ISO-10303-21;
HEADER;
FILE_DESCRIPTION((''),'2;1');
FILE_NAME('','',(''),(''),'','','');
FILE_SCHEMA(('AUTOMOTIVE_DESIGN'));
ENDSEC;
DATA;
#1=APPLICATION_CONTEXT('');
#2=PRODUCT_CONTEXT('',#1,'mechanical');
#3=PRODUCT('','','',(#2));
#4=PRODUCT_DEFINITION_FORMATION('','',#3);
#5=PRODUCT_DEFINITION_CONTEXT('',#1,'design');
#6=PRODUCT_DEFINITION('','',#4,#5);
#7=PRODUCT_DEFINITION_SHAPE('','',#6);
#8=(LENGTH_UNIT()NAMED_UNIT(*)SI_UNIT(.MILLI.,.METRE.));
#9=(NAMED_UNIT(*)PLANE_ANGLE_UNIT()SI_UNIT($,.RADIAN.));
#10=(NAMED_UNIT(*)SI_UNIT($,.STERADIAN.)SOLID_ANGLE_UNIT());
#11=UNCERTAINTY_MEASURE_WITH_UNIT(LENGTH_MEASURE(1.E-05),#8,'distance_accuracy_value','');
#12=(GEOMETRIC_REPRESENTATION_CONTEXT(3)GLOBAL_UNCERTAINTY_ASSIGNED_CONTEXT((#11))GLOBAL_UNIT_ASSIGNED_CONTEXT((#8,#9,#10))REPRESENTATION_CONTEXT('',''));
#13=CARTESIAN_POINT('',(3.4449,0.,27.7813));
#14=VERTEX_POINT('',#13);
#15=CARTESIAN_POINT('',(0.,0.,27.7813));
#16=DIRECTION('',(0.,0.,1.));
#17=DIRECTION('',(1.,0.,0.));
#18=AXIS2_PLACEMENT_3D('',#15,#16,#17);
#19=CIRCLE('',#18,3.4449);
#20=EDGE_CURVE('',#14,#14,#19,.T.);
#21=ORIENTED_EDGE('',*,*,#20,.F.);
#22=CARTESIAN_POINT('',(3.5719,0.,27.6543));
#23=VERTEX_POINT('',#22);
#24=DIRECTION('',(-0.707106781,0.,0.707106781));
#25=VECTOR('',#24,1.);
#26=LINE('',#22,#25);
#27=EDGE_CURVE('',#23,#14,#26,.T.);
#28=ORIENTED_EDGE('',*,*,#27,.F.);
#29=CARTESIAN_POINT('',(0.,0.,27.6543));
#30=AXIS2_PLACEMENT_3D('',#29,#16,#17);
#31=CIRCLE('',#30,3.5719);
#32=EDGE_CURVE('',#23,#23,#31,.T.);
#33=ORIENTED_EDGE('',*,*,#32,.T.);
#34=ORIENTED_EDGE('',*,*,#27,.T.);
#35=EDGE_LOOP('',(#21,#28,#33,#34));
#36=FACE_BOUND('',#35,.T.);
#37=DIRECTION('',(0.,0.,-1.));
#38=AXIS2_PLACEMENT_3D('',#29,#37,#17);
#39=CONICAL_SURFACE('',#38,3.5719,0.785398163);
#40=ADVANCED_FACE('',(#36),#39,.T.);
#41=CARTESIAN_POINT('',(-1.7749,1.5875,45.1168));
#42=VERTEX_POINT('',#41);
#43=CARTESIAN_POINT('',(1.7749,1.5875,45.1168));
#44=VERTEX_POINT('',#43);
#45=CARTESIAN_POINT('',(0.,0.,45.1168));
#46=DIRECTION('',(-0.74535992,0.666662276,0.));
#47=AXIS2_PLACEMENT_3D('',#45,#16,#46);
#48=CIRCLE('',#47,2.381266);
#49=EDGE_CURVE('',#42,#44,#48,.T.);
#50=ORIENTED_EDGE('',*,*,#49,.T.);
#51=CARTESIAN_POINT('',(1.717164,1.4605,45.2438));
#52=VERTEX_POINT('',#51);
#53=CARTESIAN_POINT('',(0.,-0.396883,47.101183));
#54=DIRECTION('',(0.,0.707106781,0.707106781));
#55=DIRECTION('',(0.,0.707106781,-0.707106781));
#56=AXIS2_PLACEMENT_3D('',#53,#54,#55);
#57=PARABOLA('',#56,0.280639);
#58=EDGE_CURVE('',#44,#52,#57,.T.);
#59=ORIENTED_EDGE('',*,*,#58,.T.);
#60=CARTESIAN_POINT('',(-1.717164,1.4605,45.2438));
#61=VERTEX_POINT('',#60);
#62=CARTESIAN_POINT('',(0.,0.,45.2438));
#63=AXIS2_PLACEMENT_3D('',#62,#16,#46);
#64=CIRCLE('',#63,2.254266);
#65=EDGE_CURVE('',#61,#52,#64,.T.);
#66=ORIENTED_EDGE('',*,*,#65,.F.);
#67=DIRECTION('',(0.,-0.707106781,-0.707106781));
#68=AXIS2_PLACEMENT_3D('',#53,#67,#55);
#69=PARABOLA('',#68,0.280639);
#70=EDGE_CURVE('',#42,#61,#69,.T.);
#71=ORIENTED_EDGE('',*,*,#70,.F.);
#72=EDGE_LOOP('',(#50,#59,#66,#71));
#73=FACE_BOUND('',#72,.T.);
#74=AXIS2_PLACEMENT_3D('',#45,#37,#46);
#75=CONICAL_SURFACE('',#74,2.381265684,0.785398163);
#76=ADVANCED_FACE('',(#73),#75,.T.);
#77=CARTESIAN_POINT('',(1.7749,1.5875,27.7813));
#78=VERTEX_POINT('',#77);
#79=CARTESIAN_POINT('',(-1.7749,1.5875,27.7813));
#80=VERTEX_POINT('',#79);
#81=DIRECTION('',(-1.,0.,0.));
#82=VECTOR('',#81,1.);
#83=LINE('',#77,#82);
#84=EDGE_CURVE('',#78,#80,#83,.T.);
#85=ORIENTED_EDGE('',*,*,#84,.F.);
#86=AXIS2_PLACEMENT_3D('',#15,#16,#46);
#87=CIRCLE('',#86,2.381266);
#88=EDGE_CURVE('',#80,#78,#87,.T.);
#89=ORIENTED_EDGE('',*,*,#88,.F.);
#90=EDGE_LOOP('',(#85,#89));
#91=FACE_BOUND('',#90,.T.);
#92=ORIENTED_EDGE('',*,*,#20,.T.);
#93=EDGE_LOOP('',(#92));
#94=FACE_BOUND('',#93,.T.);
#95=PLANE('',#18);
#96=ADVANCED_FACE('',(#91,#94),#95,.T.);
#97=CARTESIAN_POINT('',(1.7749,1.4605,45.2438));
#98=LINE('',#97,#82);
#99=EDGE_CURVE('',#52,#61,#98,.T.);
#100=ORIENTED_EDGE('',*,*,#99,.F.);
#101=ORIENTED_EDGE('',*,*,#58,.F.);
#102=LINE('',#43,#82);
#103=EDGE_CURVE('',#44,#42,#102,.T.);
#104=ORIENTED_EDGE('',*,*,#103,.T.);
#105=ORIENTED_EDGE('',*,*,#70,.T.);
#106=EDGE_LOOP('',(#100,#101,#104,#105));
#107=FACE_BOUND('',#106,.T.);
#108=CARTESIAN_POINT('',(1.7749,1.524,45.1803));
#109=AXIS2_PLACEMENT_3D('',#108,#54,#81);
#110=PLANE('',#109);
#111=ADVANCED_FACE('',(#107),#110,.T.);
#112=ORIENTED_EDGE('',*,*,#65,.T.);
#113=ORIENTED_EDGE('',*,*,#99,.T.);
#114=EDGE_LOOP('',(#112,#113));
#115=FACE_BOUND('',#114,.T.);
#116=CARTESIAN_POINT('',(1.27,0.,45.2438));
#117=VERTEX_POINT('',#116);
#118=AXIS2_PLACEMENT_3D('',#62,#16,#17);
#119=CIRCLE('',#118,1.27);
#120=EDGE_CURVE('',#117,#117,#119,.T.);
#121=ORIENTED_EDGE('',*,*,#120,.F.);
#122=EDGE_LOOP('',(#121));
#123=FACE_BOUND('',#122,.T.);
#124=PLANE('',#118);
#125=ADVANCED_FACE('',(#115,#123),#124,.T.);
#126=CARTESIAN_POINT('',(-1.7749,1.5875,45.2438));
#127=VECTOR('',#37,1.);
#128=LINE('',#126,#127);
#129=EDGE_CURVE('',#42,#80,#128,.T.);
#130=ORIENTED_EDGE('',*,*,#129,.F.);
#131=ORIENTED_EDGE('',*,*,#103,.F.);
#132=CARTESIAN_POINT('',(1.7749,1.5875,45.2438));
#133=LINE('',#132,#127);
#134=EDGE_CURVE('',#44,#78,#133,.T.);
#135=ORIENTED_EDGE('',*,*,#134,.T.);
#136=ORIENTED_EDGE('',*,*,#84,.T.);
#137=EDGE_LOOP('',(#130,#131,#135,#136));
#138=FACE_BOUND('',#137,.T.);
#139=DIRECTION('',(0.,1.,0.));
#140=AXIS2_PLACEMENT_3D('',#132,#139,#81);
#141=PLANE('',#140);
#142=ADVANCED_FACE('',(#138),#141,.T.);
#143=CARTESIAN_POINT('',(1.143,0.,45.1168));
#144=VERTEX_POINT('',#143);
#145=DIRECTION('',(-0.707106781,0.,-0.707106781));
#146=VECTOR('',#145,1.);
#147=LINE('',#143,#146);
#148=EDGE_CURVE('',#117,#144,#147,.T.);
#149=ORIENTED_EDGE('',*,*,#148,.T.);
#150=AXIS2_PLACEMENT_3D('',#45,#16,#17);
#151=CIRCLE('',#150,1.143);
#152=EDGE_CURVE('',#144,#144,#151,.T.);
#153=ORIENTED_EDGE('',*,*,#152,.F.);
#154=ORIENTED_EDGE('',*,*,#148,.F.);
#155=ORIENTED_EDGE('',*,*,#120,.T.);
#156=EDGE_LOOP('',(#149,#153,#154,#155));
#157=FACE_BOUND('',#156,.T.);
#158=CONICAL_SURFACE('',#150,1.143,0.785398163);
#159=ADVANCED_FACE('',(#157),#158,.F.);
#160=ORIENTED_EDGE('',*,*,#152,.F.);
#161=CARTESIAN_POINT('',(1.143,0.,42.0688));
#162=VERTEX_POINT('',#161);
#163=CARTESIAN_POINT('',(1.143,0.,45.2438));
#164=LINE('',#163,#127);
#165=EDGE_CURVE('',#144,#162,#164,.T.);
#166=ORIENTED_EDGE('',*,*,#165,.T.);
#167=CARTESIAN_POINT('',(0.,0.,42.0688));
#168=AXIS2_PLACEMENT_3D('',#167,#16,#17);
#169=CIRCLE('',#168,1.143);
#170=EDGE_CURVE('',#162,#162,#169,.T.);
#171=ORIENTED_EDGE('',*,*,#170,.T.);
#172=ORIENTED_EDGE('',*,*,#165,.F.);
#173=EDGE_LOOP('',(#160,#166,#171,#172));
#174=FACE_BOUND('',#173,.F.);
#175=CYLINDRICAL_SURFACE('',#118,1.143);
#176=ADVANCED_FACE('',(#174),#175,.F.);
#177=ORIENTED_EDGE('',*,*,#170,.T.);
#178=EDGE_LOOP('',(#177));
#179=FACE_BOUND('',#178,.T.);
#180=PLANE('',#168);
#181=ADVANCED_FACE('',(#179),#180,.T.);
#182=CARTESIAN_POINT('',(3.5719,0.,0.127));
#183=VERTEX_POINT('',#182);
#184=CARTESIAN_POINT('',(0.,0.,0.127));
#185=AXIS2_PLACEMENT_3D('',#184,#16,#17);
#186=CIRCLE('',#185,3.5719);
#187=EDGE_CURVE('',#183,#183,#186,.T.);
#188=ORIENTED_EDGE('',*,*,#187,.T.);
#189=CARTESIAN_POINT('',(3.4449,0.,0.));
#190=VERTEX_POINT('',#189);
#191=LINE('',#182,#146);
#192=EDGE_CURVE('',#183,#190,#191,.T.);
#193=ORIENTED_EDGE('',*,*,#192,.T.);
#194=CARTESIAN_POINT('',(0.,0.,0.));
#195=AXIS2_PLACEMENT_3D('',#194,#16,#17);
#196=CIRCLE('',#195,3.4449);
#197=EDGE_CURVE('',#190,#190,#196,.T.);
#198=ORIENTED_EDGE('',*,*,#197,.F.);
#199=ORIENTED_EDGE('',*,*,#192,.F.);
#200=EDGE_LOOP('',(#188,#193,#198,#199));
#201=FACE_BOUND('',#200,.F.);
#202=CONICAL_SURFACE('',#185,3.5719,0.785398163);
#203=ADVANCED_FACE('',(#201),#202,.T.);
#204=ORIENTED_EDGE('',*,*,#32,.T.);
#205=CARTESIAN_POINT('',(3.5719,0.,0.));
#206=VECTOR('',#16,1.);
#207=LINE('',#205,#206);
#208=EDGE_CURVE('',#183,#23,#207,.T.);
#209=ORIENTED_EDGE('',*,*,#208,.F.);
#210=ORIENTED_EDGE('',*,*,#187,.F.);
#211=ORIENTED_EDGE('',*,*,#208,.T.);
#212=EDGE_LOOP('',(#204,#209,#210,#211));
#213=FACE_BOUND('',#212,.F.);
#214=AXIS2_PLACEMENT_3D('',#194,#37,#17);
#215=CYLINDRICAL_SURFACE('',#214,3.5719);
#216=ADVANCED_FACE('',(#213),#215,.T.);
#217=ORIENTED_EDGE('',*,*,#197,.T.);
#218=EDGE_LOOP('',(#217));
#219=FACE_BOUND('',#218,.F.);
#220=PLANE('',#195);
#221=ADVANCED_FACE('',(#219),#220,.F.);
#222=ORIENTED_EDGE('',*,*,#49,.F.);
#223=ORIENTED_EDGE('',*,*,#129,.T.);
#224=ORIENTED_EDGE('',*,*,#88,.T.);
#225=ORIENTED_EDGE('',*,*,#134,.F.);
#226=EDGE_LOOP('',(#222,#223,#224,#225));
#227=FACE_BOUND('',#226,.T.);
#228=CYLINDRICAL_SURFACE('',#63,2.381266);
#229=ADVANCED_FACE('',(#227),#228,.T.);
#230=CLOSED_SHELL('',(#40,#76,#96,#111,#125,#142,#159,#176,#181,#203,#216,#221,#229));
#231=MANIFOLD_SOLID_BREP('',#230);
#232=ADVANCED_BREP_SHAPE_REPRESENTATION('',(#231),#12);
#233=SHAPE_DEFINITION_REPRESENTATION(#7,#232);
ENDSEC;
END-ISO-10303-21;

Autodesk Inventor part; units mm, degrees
ref_plane "YZ Plane" through (0, 0, 0) normal (1, 0, 0) x (0, 1, 0)
ref_plane "XZ Plane" through (0, 0, 0) normal (0, 1, 0) x (-1, 0, 0)
ref_plane "XY Plane" through (0, 0, 0) normal (0, 0, 1) x (1, 0, 0)
sketch "Sketch1" plane through (0, 0, 0) normal (0, 0, 1) x (1, 0, 0)
  circle A0 centre (0, 0) radius 3.5719
  dimension "d10" = 7.1437
extrude "Extrusion1" add sketch "Sketch1" along normal blind 45.2438
sketch "Sketch2" plane through (0, 0, 45.2438) normal (0, 0, 1) x (1, 0, 0)
  arc A0 (-1.7749, 1.5875) -> (1.7749, 1.5875) centre (0, 0) ccw
  line L0 (1.7749, 1.5875) -> (-1.7749, 1.5875)
  circle A1 centre (0, 0) radius 3.5719 projected
  dimension "d2" = 4.7625
extrude "Extrusion2" cut sketch "Sketch2" against normal blind 17.4625
sketch "Sketch3" plane through (0, 0, 45.2438) normal (0, 0, 1) x (1, 0, 0)
  circle A0 centre (0, 0) radius 1.143
  dimension "d5" = 2.286
extrude "Extrusion3" cut sketch "Sketch3" against normal blind 3.175
chamfer "Chamfer1" distance 0.127 angle 45 5 edges at (0, -2.3813, 45.2438) (0, 1.5875, 45.2438) (-1.143, 0, 45.2438) (-3.5719, 0, 27.7813) (-3.5719, 0, 0)
properties part number "shaft" material "Brass, Soft Yellow"
